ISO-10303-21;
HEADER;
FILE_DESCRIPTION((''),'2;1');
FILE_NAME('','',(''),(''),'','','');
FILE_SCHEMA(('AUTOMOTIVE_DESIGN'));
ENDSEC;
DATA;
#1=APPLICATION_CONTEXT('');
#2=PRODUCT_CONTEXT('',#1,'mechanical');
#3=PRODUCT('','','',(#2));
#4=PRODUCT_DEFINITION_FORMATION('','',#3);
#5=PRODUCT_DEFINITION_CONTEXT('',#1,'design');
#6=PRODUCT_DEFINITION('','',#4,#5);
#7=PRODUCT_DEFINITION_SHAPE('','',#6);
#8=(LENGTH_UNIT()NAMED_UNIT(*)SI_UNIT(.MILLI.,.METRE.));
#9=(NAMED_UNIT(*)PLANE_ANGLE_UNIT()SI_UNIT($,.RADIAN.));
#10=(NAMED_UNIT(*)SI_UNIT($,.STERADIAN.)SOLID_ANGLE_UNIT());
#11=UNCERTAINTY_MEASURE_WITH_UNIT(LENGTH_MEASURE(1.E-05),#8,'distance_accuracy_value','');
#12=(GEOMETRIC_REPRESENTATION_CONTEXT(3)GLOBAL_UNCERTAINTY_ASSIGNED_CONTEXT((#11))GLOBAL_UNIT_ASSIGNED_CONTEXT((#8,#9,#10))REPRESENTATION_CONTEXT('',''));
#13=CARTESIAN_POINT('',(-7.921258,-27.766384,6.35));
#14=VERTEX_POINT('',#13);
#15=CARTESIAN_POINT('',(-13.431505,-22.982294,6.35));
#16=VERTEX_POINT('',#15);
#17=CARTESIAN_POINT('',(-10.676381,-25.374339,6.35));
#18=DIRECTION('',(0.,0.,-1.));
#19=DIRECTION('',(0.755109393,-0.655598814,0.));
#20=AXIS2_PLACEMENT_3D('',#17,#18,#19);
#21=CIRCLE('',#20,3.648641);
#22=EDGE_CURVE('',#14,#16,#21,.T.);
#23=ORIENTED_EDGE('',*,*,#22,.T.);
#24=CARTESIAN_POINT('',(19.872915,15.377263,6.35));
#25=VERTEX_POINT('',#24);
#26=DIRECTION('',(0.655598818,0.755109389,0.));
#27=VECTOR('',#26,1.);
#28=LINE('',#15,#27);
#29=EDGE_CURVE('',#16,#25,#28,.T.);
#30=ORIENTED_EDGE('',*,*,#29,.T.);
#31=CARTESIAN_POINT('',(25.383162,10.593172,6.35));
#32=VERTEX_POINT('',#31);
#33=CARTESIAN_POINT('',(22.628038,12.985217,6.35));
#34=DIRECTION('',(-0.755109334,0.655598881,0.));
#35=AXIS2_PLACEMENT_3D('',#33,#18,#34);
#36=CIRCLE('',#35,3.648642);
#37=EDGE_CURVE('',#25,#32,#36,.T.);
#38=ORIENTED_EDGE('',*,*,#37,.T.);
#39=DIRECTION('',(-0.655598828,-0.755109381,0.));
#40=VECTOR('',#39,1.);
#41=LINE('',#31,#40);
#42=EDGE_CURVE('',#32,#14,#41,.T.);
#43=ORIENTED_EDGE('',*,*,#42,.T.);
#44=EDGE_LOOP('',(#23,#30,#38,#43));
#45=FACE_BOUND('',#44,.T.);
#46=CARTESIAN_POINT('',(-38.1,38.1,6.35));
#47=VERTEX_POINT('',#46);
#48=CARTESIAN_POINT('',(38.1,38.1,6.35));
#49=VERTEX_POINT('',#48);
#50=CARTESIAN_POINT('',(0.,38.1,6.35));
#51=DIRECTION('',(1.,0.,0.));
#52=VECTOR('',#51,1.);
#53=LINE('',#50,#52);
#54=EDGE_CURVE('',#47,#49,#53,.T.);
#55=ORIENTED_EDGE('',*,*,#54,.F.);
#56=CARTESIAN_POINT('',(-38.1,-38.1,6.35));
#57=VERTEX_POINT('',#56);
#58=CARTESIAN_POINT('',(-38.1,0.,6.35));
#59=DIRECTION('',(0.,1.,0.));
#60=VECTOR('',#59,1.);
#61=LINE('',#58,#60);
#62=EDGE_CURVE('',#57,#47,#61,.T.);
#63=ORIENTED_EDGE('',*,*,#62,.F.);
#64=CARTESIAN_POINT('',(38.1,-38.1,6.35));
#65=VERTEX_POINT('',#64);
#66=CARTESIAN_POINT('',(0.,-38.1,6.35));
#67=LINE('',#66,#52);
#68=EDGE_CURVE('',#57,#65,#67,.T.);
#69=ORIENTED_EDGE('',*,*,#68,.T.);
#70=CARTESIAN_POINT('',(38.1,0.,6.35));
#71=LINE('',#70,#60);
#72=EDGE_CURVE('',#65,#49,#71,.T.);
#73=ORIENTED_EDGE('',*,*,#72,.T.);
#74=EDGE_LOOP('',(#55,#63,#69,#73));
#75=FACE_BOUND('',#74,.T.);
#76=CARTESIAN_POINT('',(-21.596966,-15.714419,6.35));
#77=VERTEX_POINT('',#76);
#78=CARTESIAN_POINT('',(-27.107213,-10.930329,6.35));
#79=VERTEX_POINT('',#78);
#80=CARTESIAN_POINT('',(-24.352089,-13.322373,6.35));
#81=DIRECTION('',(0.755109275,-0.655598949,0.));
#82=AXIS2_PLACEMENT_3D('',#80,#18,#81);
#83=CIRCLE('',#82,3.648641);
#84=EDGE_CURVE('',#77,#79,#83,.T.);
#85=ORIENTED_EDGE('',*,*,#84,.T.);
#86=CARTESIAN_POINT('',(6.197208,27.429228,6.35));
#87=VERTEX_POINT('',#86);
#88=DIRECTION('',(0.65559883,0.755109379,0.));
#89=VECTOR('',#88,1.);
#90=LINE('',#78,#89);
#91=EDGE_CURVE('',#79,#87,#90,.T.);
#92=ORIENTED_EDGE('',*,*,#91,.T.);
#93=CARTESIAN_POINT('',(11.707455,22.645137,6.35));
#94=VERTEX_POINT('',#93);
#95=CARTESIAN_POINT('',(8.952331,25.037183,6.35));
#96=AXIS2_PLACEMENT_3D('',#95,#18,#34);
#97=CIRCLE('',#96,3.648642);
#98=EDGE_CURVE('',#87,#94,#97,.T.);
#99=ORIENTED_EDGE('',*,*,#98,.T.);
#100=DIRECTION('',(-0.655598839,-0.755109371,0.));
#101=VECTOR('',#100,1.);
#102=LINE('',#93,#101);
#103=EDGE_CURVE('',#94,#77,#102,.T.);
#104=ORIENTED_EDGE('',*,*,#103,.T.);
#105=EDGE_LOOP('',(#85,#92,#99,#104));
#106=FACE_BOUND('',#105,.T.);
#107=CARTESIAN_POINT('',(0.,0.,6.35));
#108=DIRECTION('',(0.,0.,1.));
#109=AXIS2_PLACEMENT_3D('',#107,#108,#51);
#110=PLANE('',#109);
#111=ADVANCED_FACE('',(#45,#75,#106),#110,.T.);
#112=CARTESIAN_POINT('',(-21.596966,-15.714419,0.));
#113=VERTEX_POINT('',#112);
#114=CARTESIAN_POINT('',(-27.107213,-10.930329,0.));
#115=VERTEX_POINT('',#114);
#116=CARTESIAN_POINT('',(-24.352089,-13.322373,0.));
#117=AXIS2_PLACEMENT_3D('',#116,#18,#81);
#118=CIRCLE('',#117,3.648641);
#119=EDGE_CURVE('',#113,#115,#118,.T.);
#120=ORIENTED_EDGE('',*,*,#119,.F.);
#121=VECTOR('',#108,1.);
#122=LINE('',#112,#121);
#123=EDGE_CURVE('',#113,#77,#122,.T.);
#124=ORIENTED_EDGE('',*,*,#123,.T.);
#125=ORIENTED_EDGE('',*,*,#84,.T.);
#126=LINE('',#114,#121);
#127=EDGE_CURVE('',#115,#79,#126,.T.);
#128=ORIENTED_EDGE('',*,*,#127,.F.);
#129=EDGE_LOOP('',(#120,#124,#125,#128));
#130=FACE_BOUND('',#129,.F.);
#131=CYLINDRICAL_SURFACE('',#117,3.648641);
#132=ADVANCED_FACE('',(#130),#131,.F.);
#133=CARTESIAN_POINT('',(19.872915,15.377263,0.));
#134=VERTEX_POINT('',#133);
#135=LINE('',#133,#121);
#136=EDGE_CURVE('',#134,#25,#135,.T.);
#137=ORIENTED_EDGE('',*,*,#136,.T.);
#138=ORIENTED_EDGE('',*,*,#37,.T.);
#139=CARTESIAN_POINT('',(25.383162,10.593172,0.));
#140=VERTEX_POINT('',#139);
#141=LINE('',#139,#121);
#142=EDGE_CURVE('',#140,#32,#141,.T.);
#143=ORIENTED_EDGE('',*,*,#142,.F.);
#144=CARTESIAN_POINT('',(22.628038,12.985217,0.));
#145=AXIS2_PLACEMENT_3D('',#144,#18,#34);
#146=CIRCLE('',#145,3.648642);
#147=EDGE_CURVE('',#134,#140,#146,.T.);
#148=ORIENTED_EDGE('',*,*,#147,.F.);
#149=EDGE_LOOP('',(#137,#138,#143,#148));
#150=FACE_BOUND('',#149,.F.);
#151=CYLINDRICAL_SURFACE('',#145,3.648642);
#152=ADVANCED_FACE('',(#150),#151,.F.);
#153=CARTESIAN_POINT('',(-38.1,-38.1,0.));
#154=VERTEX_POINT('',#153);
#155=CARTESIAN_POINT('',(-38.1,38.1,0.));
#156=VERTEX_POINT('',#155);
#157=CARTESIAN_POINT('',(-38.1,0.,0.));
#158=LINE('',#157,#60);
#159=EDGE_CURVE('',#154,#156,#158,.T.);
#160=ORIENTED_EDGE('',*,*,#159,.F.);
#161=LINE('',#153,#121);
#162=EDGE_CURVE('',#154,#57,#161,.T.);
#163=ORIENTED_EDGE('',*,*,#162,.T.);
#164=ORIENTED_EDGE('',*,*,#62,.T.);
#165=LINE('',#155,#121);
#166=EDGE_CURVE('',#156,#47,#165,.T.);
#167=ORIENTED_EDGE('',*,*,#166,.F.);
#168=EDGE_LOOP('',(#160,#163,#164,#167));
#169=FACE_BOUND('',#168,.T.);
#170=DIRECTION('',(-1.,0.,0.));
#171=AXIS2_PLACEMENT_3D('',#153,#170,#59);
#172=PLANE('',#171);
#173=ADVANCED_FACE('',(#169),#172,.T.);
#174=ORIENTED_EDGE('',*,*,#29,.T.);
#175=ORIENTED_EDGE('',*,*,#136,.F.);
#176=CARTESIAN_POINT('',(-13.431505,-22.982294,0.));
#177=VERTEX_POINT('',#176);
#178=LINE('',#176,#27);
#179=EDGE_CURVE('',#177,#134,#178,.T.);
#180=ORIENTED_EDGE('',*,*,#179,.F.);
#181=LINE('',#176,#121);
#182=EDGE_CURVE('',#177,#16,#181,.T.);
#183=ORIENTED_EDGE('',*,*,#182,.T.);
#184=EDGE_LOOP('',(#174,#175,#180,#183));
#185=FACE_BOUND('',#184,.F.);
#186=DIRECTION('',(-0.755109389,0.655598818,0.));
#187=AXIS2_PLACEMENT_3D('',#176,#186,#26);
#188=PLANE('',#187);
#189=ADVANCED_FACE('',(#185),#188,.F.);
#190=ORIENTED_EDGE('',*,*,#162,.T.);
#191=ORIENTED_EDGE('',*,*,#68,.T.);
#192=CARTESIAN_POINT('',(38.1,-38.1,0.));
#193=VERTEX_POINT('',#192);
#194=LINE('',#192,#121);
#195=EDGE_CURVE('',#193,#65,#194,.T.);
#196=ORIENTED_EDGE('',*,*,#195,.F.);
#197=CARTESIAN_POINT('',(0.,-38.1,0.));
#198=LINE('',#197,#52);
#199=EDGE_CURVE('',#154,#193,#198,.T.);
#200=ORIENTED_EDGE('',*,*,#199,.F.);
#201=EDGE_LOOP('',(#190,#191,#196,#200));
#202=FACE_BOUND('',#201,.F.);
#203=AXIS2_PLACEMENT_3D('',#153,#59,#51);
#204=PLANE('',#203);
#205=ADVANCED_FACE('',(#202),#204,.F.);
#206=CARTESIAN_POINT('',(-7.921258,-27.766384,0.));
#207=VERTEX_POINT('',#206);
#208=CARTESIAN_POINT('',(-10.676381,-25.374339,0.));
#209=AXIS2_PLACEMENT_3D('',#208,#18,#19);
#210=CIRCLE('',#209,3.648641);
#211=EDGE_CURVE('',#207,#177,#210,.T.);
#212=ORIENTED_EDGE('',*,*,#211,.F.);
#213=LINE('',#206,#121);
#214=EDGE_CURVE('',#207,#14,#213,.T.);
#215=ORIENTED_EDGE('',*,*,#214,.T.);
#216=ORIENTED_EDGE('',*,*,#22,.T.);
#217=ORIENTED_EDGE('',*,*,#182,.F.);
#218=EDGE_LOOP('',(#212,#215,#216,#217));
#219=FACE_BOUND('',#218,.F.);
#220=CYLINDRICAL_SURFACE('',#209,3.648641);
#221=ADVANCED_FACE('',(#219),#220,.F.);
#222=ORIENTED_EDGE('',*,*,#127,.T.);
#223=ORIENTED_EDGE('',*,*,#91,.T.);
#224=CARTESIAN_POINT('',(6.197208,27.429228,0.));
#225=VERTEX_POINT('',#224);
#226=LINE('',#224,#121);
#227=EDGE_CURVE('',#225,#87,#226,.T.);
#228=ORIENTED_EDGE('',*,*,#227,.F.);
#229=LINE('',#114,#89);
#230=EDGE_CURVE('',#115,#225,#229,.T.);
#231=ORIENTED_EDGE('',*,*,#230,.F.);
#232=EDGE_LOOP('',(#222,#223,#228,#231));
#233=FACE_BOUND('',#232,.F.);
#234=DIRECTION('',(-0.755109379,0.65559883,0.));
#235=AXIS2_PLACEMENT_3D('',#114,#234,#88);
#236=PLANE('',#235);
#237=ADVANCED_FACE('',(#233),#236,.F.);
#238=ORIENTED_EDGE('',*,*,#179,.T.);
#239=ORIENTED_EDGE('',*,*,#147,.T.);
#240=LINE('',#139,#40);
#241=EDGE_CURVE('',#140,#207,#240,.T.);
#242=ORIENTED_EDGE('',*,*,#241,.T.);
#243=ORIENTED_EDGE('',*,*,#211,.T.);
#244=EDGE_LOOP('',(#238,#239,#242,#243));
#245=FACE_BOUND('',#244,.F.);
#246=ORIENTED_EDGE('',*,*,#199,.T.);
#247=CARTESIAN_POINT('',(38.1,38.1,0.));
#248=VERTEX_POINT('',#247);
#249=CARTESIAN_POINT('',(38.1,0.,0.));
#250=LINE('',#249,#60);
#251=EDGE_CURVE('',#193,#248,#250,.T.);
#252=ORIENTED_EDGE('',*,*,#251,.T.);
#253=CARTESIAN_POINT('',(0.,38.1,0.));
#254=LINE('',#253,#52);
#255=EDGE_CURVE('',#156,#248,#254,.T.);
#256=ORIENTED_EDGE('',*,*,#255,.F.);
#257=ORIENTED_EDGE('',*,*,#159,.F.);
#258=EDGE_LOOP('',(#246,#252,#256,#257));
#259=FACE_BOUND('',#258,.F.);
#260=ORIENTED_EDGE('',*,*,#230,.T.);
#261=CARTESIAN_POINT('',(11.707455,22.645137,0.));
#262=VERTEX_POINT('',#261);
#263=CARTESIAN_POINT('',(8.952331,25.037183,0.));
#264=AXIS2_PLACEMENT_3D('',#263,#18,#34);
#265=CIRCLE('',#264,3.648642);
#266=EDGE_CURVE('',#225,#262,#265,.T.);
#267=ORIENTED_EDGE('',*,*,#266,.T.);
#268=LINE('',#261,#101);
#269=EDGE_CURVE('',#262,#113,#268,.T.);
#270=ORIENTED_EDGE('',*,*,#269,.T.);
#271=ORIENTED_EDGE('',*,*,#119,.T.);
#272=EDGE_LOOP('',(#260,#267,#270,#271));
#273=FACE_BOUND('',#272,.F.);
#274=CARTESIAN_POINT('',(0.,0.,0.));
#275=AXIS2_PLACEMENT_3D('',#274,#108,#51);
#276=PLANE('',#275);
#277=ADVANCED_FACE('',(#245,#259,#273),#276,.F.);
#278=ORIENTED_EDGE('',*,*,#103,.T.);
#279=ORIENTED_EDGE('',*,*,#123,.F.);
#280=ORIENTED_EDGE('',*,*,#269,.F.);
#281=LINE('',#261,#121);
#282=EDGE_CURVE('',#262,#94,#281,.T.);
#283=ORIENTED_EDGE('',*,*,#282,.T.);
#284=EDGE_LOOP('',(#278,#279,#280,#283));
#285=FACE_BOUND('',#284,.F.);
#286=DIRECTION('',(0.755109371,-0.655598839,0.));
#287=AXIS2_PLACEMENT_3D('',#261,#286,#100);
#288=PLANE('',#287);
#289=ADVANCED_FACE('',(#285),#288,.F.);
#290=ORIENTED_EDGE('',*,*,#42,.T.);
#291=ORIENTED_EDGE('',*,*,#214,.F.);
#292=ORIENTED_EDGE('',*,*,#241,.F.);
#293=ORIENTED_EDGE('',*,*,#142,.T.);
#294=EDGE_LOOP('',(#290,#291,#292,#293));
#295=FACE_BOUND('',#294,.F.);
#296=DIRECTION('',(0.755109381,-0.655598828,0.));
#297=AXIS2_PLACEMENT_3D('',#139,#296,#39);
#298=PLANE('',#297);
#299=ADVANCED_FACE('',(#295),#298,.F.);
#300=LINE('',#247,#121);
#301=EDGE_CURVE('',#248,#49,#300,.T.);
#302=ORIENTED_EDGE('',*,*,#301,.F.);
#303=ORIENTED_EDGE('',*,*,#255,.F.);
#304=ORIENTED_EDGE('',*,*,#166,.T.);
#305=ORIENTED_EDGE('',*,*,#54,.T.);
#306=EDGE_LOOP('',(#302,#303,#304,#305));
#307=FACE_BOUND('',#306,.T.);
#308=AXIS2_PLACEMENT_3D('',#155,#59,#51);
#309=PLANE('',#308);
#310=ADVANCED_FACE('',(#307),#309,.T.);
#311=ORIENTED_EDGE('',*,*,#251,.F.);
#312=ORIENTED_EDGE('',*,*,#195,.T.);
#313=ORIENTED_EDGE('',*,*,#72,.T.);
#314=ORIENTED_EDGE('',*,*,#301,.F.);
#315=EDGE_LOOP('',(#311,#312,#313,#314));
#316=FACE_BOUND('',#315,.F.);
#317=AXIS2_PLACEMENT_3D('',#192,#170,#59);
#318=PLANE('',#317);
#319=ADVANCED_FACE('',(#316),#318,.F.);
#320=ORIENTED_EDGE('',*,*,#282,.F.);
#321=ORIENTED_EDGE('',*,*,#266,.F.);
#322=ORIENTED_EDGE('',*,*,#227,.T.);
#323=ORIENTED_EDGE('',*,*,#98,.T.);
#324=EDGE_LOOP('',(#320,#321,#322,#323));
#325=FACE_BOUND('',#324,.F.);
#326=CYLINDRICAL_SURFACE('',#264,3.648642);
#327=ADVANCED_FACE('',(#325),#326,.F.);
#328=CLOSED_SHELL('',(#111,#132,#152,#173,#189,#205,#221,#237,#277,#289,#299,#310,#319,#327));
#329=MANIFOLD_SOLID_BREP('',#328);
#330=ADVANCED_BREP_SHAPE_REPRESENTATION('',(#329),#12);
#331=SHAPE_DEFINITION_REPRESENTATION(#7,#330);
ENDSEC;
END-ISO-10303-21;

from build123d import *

# Parameters (mm, degrees)
F0_W     = 76.2
F0_H     = 76.2
F1_DEPTH = 6.35


with BuildPart() as f1:
    # F0 (on Top) → F1 (new body)
    with BuildSketch(Plane.XY):
        Rectangle(F0_W, F0_H)
        with BuildLine():
            ThreePointArc((-7.921258, -27.766384), (-13.068427, -28.129462), (-13.431505, -22.982294))
            Line((-13.431505, -22.982294), (19.872915, 15.377263))
            ThreePointArc((19.872915, 15.377263), (25.020084, 15.740341), (25.383162, 10.593172))
            Line((25.383162, 10.593172), (-7.921258, -27.766384))
        make_face(mode=Mode.SUBTRACT)
        with BuildLine():
            ThreePointArc((-21.596966, -15.714419), (-26.744134, -16.077497), (-27.107213, -10.930329))
            Line((-27.107213, -10.930329), (6.197208, 27.429228))
            ThreePointArc((6.197208, 27.429228), (11.344377, 27.792306), (11.707455, 22.645137))
            Line((11.707455, 22.645137), (-21.596966, -15.714419))
        make_face(mode=Mode.SUBTRACT)
    extrude(amount=F1_DEPTH)


solid = f1.part
